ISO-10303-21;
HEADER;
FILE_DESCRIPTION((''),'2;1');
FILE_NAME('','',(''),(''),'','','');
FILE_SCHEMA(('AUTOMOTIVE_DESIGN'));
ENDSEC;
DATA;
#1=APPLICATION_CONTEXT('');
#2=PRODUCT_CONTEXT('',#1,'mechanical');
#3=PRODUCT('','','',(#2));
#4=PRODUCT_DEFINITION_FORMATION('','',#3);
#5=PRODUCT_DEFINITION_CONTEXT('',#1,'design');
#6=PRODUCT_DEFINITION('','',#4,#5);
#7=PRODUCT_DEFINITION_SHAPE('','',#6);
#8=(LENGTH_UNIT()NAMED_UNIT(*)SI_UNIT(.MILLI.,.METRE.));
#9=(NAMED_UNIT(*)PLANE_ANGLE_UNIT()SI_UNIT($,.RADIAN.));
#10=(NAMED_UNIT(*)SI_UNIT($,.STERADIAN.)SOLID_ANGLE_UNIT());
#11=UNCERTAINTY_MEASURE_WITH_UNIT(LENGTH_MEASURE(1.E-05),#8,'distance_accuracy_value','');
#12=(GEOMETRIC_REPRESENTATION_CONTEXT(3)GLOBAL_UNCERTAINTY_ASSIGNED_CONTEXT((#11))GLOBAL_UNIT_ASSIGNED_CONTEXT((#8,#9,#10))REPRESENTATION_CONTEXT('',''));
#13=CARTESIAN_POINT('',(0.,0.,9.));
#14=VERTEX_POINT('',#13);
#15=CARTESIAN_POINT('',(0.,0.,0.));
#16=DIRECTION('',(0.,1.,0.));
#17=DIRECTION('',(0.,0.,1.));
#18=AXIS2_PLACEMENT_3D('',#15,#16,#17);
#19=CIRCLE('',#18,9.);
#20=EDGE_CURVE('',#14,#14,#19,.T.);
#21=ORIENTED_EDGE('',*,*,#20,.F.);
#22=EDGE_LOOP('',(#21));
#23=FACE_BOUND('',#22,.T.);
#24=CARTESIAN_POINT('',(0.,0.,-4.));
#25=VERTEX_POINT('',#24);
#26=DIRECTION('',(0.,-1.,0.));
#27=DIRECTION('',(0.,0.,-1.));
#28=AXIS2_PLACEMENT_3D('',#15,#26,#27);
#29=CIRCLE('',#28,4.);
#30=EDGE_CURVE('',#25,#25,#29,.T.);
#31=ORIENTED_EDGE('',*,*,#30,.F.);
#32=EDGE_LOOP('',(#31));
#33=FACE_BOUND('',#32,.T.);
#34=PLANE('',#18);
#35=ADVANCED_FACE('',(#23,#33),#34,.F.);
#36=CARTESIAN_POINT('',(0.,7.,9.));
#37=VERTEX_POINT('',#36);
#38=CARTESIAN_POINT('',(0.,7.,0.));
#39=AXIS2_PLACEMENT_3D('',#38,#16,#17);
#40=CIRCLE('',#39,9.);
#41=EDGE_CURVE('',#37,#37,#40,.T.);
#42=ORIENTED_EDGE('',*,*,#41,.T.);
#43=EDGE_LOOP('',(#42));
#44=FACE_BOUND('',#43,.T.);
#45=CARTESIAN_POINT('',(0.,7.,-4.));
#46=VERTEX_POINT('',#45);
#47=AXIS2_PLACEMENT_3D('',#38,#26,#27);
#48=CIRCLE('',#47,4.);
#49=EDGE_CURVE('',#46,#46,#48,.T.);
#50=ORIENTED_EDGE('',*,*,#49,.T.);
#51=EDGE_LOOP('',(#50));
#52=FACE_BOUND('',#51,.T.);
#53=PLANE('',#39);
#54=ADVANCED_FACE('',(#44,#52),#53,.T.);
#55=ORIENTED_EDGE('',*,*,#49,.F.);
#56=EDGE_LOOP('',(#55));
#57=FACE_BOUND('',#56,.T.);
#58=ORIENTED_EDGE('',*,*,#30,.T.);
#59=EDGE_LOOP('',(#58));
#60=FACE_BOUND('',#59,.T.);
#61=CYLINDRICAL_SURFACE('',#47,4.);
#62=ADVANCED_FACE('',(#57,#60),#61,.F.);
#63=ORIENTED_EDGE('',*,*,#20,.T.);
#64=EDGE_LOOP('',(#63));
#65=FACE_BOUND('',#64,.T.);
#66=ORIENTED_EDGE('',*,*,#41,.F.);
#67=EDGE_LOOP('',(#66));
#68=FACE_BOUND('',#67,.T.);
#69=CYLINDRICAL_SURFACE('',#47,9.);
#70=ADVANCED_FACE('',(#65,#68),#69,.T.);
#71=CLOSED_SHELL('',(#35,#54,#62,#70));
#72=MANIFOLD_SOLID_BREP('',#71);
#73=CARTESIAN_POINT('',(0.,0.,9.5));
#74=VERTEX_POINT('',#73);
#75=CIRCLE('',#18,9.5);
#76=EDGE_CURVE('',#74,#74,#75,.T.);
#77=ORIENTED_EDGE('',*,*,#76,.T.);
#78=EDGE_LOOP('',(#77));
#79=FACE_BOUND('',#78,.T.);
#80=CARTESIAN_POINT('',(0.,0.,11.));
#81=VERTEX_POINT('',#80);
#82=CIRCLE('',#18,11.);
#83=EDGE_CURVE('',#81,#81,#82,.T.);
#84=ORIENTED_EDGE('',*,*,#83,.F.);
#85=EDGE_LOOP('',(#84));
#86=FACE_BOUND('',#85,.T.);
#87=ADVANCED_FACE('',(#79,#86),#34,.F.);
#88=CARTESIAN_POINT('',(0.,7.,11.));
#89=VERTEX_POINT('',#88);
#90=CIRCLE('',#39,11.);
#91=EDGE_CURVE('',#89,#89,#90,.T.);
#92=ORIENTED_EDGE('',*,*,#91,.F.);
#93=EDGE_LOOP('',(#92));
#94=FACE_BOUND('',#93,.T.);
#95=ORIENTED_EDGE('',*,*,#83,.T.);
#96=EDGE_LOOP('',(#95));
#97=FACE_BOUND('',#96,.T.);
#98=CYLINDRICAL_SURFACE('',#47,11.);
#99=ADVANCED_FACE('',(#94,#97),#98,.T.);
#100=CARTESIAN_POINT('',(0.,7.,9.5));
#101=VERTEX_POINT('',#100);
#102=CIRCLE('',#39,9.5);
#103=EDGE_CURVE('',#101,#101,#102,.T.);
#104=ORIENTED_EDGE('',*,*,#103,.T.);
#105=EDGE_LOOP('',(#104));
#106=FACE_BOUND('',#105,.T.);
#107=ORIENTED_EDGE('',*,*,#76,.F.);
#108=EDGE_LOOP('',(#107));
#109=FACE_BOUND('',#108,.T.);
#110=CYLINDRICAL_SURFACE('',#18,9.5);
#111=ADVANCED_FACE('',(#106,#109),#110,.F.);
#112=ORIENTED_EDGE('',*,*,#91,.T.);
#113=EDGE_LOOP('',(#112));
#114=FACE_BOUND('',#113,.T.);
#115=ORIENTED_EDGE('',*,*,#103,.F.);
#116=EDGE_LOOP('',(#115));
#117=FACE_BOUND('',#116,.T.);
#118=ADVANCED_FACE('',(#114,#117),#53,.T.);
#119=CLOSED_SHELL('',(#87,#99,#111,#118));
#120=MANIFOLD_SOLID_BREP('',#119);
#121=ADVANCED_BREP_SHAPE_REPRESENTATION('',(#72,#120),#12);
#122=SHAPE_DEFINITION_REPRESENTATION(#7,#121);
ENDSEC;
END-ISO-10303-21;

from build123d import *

# Parameters (mm, degrees)
SKETCH1_R           = 11
BOSS_EXTRUDE1_DEPTH = 7
SKETCH2_R           = 9.5
CUT_EXTRUDE1_DEPTH  = 7
SKETCH3_R           = 9
BOSS_EXTRUDE2_DEPTH = 7
SKETCH5_R           = 4
CUT_EXTRUDE2_DEPTH  = 7


with BuildPart() as part:
    # Sketch1 → Boss-Extrude1 (new body)
    with BuildSketch(Plane(origin=(0, 0, 0), x_dir=(1, 0, 0), z_dir=(0, 1, 0))):
        with Locations(Location((0, 0, 0), (0, 0, 270))):
            Circle(SKETCH1_R)
    extrude(amount=BOSS_EXTRUDE1_DEPTH)

    # Sketch2 → Cut-Extrude1 (cut)
    with BuildSketch(Plane(origin=(0, 7, 0), x_dir=(1, 0, 0), z_dir=(0, 1, 0))):
        with Locations(Location((0, 0, 0), (0, 0, 270))):
            Circle(SKETCH2_R)
    extrude(amount=-CUT_EXTRUDE1_DEPTH, mode=Mode.SUBTRACT)


with BuildPart() as body_2:
    # Sketch3 → Boss-Extrude2 (new body)
    with BuildSketch(Plane(origin=(0, 0, 0), x_dir=(1, 0, 0), z_dir=(0, 1, 0))):
        with Locations(Location((0, 0, 0), (0, 0, 270))):
            Circle(SKETCH3_R)
    extrude(amount=BOSS_EXTRUDE2_DEPTH)

    # Sketch5 → Cut-Extrude2 (cut)
    with BuildSketch(Plane.XZ):
        with Locations(Location((0, 0, 0), (0, 0, 270))):
            Circle(SKETCH5_R)
    extrude(amount=-CUT_EXTRUDE2_DEPTH, mode=Mode.SUBTRACT)


solid = Compound([part.part, body_2.part])
